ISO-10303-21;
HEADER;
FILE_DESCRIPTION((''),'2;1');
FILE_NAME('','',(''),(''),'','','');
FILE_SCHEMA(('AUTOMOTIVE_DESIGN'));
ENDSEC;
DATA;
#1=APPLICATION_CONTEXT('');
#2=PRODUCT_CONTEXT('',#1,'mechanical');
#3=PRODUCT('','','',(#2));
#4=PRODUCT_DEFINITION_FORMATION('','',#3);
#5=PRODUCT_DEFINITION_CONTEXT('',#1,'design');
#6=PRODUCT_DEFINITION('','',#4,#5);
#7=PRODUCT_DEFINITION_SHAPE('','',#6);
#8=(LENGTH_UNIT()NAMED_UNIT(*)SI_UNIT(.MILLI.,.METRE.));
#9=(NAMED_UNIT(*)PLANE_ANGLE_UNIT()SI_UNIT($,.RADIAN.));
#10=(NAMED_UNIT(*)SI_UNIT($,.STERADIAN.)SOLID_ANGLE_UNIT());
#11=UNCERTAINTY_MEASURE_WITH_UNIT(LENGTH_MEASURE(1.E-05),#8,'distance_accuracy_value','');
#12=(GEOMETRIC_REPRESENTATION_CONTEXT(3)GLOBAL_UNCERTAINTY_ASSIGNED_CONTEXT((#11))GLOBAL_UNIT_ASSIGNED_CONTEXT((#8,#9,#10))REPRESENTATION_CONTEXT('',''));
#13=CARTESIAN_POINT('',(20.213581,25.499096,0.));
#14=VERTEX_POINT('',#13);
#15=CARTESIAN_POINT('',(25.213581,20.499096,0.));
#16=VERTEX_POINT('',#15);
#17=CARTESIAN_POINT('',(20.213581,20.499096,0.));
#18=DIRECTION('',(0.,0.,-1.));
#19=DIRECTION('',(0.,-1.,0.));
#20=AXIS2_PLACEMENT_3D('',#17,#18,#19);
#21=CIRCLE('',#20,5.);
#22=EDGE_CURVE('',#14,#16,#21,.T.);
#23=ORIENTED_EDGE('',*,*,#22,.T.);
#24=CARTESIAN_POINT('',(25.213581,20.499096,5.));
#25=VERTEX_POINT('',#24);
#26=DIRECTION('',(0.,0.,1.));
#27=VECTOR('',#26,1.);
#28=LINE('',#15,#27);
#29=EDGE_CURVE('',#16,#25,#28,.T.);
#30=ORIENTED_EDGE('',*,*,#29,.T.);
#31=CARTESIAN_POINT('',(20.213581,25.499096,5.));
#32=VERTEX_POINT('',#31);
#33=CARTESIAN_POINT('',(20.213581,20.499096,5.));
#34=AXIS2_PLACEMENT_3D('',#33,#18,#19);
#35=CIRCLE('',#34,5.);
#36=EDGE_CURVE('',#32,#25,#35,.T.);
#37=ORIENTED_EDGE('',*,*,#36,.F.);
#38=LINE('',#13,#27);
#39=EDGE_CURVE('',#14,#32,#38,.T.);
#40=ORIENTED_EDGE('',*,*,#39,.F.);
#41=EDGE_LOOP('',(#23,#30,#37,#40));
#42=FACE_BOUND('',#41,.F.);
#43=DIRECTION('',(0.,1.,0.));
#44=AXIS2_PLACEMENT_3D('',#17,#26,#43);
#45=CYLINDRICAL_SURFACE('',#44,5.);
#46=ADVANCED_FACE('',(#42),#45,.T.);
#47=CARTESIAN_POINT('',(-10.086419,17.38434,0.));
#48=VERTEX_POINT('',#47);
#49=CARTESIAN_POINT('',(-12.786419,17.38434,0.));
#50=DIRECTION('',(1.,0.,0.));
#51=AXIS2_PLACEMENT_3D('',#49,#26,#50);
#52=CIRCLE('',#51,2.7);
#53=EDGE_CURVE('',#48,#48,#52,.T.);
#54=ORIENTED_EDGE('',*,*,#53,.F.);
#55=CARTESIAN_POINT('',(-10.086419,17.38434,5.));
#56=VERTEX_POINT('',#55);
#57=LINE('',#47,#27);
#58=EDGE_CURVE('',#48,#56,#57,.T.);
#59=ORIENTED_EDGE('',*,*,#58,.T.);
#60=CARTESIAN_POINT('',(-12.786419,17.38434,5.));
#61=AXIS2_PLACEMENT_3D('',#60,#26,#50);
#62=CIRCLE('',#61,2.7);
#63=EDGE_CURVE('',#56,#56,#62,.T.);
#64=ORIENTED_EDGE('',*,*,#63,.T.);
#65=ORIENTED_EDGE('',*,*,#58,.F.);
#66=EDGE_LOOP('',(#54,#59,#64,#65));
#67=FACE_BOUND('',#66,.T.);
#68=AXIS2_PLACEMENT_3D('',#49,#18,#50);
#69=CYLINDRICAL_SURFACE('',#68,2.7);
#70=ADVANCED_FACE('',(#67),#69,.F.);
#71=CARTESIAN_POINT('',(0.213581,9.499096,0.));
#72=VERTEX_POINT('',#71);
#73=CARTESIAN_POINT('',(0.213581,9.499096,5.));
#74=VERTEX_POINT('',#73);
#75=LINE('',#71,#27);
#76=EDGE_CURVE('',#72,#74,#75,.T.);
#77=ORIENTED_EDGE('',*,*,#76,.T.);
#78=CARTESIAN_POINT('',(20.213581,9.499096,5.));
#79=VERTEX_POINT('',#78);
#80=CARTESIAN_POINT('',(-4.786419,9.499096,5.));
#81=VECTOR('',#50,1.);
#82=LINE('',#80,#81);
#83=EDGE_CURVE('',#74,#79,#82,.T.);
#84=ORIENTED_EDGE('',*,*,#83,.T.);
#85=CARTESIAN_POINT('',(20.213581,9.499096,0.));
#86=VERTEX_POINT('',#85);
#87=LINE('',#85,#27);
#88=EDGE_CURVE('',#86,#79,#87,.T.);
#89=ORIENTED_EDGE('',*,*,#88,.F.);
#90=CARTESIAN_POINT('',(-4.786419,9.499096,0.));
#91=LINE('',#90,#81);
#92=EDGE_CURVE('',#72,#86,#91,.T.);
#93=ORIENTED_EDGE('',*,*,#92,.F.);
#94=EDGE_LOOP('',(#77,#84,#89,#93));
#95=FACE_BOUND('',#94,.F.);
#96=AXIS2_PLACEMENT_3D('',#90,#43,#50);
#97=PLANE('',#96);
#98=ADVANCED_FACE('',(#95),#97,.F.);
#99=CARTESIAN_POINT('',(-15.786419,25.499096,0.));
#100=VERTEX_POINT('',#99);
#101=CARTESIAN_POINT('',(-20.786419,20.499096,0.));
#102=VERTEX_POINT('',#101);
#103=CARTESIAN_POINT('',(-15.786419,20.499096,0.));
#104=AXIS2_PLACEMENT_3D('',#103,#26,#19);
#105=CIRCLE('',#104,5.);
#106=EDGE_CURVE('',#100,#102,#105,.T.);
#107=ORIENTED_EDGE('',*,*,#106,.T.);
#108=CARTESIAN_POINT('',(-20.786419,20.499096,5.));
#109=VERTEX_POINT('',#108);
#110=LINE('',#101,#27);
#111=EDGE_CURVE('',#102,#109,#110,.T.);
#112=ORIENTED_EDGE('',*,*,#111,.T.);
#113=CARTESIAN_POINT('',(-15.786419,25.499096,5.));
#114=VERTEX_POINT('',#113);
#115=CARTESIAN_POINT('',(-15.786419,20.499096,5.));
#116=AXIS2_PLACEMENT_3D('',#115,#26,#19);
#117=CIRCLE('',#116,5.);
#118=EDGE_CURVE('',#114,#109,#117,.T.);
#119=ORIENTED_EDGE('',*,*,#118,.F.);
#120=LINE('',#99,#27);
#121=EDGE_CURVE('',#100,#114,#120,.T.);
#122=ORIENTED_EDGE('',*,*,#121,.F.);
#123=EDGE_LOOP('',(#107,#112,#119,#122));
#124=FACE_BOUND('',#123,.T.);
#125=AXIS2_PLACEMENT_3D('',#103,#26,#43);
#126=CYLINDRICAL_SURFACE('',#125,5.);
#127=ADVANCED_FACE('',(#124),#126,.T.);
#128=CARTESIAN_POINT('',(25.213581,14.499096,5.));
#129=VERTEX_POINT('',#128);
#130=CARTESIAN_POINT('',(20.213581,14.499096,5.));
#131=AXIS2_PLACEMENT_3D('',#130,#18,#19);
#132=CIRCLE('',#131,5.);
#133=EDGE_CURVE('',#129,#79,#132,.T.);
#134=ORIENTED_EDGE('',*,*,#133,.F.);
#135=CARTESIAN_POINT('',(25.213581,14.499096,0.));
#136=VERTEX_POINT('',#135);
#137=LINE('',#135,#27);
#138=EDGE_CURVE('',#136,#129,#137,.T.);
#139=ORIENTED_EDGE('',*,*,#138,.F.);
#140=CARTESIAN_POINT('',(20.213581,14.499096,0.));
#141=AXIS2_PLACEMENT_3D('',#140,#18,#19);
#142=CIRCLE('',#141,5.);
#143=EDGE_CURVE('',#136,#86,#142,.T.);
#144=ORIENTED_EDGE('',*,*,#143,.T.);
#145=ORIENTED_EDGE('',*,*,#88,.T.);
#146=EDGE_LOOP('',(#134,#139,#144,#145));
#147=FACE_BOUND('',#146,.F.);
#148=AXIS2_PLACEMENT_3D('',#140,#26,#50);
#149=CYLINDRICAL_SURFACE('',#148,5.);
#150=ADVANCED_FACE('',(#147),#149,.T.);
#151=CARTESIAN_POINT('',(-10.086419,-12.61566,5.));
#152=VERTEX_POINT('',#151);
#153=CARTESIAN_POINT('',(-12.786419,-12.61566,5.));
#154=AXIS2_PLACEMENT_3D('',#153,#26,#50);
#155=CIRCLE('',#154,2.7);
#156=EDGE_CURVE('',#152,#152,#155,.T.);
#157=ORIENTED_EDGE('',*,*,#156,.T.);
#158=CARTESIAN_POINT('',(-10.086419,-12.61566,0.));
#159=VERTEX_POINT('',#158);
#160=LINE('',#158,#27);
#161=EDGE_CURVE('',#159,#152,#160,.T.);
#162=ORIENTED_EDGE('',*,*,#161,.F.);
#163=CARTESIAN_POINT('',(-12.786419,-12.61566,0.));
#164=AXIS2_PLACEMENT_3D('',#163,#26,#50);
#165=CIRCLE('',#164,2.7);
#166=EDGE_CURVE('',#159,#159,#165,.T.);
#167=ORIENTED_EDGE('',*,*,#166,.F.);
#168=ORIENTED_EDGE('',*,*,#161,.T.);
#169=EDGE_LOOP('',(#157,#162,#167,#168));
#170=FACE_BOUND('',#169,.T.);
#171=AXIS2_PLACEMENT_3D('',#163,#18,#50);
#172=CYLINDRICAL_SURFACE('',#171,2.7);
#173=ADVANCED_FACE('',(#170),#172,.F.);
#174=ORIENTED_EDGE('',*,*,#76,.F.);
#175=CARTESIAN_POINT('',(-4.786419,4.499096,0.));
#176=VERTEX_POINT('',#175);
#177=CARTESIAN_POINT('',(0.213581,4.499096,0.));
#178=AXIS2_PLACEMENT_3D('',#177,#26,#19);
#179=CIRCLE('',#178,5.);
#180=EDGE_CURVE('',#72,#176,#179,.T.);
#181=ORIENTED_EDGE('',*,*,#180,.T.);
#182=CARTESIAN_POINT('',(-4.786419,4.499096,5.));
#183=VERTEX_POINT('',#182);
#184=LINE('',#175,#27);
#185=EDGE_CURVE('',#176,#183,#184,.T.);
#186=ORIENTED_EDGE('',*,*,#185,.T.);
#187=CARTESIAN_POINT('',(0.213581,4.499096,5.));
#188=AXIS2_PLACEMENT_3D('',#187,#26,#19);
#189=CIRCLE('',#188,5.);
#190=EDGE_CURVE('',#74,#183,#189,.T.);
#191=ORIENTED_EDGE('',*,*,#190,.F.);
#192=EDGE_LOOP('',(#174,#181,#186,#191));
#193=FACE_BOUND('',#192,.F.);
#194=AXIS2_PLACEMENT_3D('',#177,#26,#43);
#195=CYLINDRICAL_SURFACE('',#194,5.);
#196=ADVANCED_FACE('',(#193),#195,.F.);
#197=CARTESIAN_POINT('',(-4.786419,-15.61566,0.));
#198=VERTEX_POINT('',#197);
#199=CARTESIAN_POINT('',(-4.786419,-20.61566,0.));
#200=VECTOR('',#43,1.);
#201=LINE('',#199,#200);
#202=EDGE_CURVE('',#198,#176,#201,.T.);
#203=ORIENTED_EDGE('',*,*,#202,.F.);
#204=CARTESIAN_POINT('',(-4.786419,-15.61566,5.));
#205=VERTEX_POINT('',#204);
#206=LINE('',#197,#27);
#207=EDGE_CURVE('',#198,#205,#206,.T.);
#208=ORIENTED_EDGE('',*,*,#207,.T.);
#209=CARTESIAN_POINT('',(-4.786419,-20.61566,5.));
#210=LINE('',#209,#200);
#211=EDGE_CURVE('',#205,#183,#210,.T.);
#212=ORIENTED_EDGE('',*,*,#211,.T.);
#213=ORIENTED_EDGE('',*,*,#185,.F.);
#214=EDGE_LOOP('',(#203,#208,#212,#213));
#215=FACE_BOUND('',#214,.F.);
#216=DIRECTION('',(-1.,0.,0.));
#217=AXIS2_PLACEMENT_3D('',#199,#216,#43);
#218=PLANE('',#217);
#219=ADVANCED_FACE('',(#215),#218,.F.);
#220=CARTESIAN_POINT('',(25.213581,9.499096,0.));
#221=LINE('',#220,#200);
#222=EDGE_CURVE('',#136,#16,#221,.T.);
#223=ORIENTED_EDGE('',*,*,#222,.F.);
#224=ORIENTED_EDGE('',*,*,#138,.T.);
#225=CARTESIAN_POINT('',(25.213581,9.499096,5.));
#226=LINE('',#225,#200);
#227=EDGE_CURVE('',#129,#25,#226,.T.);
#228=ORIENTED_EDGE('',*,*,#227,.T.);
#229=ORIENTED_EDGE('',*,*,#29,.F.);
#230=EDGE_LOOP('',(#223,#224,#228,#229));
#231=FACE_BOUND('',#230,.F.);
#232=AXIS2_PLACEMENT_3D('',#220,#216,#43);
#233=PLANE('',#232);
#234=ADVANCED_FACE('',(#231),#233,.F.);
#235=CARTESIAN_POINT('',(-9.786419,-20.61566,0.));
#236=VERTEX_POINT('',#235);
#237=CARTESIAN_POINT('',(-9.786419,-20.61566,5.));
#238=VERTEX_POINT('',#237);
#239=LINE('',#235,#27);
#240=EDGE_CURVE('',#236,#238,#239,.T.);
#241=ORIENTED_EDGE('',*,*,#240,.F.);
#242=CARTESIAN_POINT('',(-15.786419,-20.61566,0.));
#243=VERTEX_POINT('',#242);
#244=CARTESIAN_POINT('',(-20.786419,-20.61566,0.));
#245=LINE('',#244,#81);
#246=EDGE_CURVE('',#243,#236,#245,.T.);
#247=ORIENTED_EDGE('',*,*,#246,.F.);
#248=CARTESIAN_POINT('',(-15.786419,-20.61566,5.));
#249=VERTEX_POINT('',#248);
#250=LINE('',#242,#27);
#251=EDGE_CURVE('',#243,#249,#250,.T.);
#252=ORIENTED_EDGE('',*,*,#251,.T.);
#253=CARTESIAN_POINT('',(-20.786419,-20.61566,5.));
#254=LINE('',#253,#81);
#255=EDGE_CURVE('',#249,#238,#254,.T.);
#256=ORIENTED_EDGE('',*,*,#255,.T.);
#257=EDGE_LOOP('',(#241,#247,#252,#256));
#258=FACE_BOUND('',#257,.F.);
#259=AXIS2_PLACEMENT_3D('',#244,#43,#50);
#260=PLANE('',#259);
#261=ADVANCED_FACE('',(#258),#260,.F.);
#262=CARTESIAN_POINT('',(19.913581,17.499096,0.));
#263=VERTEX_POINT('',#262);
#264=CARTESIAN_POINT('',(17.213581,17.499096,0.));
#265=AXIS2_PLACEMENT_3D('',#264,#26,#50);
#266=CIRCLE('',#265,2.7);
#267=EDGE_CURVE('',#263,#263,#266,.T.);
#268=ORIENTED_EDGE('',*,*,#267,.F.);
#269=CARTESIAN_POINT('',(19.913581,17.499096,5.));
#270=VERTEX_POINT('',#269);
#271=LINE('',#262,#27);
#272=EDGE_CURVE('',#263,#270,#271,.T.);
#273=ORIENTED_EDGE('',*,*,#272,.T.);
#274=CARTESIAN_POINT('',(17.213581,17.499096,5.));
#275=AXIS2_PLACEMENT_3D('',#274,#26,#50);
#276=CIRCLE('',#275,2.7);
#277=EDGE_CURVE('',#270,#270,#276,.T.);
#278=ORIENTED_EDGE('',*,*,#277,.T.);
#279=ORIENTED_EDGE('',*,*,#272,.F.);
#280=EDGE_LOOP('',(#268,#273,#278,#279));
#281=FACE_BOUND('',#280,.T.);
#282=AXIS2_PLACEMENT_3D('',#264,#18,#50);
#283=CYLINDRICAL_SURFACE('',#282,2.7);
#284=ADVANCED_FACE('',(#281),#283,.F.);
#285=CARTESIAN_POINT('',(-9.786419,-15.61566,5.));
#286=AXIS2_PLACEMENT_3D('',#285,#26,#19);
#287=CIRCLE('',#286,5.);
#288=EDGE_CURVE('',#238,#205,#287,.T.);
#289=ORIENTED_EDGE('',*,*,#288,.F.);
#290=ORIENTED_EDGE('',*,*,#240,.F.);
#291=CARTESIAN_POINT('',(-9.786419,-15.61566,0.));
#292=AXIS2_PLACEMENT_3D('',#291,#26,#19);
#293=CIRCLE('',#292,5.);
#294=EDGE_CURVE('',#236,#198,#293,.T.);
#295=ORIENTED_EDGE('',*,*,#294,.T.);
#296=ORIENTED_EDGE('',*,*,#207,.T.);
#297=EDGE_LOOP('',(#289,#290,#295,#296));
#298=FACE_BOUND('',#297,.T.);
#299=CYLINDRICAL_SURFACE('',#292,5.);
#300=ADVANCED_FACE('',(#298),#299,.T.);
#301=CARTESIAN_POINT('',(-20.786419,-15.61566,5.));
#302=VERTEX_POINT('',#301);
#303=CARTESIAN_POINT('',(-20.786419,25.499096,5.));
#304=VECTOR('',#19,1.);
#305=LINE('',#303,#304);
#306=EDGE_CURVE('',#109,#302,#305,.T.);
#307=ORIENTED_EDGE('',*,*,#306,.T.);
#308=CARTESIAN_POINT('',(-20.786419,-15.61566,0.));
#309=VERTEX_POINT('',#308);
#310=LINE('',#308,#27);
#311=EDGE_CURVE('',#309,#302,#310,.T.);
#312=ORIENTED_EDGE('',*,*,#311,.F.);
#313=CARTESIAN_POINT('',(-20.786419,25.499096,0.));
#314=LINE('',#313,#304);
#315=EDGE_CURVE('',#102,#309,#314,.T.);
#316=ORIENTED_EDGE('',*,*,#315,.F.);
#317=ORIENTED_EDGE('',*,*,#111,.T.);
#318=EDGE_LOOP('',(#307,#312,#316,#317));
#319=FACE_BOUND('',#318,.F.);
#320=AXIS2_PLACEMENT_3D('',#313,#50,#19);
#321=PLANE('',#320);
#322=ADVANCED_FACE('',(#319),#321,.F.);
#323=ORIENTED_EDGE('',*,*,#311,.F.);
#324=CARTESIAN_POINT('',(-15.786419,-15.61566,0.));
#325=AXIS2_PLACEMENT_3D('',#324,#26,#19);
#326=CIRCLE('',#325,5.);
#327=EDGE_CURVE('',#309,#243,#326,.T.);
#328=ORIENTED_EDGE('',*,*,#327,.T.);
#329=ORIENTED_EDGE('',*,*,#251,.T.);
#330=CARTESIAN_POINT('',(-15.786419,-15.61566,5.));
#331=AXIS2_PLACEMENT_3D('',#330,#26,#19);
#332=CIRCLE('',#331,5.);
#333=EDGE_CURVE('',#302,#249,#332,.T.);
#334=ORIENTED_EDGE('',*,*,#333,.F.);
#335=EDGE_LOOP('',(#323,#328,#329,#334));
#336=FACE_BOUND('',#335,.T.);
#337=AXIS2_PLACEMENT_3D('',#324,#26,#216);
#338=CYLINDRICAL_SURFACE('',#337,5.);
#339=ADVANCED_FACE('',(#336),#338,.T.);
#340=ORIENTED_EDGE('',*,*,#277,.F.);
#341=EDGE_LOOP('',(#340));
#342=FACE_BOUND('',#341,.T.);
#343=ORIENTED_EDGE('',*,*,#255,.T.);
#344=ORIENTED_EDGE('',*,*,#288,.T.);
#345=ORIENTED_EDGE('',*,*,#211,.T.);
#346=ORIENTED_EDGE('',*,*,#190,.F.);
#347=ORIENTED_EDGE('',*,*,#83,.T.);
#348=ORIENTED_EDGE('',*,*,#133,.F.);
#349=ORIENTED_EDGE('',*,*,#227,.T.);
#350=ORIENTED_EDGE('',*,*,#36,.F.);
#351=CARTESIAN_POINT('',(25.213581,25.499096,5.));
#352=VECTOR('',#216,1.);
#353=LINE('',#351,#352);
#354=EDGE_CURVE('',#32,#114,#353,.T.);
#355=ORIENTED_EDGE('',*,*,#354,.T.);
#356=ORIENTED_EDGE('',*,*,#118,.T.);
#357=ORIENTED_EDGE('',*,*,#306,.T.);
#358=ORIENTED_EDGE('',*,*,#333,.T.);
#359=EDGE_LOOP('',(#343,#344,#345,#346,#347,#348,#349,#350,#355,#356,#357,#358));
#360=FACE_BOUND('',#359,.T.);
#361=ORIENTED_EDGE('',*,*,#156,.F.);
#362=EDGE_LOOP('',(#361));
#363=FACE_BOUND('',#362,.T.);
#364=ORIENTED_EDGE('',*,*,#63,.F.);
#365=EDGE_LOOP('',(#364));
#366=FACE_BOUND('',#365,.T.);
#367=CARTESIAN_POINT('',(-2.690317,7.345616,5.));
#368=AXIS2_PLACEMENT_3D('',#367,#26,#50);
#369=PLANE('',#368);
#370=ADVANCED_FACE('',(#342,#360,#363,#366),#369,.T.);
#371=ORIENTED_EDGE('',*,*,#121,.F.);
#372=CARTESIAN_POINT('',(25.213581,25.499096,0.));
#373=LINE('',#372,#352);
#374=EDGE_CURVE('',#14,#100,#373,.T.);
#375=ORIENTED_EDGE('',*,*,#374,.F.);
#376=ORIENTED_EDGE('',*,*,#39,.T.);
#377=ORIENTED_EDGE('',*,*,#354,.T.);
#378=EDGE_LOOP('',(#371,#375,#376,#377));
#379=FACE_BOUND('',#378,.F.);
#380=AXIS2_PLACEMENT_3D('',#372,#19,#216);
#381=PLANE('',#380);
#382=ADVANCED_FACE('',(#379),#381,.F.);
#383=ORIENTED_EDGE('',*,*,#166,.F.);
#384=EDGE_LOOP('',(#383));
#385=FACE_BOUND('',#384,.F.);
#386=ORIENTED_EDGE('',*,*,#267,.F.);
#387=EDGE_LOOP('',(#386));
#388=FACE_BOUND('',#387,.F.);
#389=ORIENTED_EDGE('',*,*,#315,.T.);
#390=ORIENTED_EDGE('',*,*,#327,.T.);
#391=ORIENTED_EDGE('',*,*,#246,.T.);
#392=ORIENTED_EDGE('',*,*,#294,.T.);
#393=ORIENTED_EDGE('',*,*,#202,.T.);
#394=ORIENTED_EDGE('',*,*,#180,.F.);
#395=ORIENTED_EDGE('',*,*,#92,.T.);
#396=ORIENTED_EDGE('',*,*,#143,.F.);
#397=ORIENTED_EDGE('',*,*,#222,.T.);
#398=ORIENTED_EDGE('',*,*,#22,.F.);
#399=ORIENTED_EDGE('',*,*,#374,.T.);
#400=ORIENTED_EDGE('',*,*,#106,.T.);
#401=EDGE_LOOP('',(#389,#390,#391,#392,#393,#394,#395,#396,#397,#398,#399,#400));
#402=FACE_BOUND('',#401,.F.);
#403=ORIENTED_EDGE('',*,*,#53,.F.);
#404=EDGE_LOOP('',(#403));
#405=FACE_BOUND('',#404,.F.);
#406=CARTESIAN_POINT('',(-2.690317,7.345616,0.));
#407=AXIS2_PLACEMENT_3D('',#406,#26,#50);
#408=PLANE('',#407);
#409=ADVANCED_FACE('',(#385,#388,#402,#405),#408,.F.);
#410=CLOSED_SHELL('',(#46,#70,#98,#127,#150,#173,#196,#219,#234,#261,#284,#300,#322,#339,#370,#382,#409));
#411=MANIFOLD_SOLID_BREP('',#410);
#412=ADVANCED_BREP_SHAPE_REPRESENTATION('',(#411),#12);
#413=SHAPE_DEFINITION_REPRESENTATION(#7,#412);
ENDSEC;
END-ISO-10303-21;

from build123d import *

# Parameters (mm, degrees)
F0_R     = 2.7
F1_DEPTH = 5
F2_R     = 5


with BuildPart() as f1:
    # F0 (on Top) → F1 (new body)
    with BuildSketch(Plane.XY):
        Polygon((25.213581, 25.499096), (-20.786419, 25.499096), (-20.786419, -20.61566), (-4.786419, -20.61566), (-4.786419, 9.499096), (25.213581, 9.499096), align=None)
        with Locations((-12.786419, -12.61566)):
            Circle(F0_R, mode=Mode.SUBTRACT)
        with Locations((-12.786419, 17.38434)):
            Circle(F0_R, mode=Mode.SUBTRACT)
        with Locations((17.213581, 17.499096)):
            Circle(F0_R, mode=Mode.SUBTRACT)
    extrude(amount=F1_DEPTH)

    # F2
    f2_edges = [f1.edges().sort_by_distance(p)[0] for p in [
        (-20.786419, -20.61566, 2.5),
        (-4.786419, -20.61566, 2.5),
        (25.213581, 9.499096, 2.5),
        (25.213581, 25.499096, 2.5),
        (-20.786419, 25.499096, 2.5),
        (-4.786419, 9.499096, 2.5),
    ]]
    fillet(f2_edges, radius=F2_R)


solid = f1.part
